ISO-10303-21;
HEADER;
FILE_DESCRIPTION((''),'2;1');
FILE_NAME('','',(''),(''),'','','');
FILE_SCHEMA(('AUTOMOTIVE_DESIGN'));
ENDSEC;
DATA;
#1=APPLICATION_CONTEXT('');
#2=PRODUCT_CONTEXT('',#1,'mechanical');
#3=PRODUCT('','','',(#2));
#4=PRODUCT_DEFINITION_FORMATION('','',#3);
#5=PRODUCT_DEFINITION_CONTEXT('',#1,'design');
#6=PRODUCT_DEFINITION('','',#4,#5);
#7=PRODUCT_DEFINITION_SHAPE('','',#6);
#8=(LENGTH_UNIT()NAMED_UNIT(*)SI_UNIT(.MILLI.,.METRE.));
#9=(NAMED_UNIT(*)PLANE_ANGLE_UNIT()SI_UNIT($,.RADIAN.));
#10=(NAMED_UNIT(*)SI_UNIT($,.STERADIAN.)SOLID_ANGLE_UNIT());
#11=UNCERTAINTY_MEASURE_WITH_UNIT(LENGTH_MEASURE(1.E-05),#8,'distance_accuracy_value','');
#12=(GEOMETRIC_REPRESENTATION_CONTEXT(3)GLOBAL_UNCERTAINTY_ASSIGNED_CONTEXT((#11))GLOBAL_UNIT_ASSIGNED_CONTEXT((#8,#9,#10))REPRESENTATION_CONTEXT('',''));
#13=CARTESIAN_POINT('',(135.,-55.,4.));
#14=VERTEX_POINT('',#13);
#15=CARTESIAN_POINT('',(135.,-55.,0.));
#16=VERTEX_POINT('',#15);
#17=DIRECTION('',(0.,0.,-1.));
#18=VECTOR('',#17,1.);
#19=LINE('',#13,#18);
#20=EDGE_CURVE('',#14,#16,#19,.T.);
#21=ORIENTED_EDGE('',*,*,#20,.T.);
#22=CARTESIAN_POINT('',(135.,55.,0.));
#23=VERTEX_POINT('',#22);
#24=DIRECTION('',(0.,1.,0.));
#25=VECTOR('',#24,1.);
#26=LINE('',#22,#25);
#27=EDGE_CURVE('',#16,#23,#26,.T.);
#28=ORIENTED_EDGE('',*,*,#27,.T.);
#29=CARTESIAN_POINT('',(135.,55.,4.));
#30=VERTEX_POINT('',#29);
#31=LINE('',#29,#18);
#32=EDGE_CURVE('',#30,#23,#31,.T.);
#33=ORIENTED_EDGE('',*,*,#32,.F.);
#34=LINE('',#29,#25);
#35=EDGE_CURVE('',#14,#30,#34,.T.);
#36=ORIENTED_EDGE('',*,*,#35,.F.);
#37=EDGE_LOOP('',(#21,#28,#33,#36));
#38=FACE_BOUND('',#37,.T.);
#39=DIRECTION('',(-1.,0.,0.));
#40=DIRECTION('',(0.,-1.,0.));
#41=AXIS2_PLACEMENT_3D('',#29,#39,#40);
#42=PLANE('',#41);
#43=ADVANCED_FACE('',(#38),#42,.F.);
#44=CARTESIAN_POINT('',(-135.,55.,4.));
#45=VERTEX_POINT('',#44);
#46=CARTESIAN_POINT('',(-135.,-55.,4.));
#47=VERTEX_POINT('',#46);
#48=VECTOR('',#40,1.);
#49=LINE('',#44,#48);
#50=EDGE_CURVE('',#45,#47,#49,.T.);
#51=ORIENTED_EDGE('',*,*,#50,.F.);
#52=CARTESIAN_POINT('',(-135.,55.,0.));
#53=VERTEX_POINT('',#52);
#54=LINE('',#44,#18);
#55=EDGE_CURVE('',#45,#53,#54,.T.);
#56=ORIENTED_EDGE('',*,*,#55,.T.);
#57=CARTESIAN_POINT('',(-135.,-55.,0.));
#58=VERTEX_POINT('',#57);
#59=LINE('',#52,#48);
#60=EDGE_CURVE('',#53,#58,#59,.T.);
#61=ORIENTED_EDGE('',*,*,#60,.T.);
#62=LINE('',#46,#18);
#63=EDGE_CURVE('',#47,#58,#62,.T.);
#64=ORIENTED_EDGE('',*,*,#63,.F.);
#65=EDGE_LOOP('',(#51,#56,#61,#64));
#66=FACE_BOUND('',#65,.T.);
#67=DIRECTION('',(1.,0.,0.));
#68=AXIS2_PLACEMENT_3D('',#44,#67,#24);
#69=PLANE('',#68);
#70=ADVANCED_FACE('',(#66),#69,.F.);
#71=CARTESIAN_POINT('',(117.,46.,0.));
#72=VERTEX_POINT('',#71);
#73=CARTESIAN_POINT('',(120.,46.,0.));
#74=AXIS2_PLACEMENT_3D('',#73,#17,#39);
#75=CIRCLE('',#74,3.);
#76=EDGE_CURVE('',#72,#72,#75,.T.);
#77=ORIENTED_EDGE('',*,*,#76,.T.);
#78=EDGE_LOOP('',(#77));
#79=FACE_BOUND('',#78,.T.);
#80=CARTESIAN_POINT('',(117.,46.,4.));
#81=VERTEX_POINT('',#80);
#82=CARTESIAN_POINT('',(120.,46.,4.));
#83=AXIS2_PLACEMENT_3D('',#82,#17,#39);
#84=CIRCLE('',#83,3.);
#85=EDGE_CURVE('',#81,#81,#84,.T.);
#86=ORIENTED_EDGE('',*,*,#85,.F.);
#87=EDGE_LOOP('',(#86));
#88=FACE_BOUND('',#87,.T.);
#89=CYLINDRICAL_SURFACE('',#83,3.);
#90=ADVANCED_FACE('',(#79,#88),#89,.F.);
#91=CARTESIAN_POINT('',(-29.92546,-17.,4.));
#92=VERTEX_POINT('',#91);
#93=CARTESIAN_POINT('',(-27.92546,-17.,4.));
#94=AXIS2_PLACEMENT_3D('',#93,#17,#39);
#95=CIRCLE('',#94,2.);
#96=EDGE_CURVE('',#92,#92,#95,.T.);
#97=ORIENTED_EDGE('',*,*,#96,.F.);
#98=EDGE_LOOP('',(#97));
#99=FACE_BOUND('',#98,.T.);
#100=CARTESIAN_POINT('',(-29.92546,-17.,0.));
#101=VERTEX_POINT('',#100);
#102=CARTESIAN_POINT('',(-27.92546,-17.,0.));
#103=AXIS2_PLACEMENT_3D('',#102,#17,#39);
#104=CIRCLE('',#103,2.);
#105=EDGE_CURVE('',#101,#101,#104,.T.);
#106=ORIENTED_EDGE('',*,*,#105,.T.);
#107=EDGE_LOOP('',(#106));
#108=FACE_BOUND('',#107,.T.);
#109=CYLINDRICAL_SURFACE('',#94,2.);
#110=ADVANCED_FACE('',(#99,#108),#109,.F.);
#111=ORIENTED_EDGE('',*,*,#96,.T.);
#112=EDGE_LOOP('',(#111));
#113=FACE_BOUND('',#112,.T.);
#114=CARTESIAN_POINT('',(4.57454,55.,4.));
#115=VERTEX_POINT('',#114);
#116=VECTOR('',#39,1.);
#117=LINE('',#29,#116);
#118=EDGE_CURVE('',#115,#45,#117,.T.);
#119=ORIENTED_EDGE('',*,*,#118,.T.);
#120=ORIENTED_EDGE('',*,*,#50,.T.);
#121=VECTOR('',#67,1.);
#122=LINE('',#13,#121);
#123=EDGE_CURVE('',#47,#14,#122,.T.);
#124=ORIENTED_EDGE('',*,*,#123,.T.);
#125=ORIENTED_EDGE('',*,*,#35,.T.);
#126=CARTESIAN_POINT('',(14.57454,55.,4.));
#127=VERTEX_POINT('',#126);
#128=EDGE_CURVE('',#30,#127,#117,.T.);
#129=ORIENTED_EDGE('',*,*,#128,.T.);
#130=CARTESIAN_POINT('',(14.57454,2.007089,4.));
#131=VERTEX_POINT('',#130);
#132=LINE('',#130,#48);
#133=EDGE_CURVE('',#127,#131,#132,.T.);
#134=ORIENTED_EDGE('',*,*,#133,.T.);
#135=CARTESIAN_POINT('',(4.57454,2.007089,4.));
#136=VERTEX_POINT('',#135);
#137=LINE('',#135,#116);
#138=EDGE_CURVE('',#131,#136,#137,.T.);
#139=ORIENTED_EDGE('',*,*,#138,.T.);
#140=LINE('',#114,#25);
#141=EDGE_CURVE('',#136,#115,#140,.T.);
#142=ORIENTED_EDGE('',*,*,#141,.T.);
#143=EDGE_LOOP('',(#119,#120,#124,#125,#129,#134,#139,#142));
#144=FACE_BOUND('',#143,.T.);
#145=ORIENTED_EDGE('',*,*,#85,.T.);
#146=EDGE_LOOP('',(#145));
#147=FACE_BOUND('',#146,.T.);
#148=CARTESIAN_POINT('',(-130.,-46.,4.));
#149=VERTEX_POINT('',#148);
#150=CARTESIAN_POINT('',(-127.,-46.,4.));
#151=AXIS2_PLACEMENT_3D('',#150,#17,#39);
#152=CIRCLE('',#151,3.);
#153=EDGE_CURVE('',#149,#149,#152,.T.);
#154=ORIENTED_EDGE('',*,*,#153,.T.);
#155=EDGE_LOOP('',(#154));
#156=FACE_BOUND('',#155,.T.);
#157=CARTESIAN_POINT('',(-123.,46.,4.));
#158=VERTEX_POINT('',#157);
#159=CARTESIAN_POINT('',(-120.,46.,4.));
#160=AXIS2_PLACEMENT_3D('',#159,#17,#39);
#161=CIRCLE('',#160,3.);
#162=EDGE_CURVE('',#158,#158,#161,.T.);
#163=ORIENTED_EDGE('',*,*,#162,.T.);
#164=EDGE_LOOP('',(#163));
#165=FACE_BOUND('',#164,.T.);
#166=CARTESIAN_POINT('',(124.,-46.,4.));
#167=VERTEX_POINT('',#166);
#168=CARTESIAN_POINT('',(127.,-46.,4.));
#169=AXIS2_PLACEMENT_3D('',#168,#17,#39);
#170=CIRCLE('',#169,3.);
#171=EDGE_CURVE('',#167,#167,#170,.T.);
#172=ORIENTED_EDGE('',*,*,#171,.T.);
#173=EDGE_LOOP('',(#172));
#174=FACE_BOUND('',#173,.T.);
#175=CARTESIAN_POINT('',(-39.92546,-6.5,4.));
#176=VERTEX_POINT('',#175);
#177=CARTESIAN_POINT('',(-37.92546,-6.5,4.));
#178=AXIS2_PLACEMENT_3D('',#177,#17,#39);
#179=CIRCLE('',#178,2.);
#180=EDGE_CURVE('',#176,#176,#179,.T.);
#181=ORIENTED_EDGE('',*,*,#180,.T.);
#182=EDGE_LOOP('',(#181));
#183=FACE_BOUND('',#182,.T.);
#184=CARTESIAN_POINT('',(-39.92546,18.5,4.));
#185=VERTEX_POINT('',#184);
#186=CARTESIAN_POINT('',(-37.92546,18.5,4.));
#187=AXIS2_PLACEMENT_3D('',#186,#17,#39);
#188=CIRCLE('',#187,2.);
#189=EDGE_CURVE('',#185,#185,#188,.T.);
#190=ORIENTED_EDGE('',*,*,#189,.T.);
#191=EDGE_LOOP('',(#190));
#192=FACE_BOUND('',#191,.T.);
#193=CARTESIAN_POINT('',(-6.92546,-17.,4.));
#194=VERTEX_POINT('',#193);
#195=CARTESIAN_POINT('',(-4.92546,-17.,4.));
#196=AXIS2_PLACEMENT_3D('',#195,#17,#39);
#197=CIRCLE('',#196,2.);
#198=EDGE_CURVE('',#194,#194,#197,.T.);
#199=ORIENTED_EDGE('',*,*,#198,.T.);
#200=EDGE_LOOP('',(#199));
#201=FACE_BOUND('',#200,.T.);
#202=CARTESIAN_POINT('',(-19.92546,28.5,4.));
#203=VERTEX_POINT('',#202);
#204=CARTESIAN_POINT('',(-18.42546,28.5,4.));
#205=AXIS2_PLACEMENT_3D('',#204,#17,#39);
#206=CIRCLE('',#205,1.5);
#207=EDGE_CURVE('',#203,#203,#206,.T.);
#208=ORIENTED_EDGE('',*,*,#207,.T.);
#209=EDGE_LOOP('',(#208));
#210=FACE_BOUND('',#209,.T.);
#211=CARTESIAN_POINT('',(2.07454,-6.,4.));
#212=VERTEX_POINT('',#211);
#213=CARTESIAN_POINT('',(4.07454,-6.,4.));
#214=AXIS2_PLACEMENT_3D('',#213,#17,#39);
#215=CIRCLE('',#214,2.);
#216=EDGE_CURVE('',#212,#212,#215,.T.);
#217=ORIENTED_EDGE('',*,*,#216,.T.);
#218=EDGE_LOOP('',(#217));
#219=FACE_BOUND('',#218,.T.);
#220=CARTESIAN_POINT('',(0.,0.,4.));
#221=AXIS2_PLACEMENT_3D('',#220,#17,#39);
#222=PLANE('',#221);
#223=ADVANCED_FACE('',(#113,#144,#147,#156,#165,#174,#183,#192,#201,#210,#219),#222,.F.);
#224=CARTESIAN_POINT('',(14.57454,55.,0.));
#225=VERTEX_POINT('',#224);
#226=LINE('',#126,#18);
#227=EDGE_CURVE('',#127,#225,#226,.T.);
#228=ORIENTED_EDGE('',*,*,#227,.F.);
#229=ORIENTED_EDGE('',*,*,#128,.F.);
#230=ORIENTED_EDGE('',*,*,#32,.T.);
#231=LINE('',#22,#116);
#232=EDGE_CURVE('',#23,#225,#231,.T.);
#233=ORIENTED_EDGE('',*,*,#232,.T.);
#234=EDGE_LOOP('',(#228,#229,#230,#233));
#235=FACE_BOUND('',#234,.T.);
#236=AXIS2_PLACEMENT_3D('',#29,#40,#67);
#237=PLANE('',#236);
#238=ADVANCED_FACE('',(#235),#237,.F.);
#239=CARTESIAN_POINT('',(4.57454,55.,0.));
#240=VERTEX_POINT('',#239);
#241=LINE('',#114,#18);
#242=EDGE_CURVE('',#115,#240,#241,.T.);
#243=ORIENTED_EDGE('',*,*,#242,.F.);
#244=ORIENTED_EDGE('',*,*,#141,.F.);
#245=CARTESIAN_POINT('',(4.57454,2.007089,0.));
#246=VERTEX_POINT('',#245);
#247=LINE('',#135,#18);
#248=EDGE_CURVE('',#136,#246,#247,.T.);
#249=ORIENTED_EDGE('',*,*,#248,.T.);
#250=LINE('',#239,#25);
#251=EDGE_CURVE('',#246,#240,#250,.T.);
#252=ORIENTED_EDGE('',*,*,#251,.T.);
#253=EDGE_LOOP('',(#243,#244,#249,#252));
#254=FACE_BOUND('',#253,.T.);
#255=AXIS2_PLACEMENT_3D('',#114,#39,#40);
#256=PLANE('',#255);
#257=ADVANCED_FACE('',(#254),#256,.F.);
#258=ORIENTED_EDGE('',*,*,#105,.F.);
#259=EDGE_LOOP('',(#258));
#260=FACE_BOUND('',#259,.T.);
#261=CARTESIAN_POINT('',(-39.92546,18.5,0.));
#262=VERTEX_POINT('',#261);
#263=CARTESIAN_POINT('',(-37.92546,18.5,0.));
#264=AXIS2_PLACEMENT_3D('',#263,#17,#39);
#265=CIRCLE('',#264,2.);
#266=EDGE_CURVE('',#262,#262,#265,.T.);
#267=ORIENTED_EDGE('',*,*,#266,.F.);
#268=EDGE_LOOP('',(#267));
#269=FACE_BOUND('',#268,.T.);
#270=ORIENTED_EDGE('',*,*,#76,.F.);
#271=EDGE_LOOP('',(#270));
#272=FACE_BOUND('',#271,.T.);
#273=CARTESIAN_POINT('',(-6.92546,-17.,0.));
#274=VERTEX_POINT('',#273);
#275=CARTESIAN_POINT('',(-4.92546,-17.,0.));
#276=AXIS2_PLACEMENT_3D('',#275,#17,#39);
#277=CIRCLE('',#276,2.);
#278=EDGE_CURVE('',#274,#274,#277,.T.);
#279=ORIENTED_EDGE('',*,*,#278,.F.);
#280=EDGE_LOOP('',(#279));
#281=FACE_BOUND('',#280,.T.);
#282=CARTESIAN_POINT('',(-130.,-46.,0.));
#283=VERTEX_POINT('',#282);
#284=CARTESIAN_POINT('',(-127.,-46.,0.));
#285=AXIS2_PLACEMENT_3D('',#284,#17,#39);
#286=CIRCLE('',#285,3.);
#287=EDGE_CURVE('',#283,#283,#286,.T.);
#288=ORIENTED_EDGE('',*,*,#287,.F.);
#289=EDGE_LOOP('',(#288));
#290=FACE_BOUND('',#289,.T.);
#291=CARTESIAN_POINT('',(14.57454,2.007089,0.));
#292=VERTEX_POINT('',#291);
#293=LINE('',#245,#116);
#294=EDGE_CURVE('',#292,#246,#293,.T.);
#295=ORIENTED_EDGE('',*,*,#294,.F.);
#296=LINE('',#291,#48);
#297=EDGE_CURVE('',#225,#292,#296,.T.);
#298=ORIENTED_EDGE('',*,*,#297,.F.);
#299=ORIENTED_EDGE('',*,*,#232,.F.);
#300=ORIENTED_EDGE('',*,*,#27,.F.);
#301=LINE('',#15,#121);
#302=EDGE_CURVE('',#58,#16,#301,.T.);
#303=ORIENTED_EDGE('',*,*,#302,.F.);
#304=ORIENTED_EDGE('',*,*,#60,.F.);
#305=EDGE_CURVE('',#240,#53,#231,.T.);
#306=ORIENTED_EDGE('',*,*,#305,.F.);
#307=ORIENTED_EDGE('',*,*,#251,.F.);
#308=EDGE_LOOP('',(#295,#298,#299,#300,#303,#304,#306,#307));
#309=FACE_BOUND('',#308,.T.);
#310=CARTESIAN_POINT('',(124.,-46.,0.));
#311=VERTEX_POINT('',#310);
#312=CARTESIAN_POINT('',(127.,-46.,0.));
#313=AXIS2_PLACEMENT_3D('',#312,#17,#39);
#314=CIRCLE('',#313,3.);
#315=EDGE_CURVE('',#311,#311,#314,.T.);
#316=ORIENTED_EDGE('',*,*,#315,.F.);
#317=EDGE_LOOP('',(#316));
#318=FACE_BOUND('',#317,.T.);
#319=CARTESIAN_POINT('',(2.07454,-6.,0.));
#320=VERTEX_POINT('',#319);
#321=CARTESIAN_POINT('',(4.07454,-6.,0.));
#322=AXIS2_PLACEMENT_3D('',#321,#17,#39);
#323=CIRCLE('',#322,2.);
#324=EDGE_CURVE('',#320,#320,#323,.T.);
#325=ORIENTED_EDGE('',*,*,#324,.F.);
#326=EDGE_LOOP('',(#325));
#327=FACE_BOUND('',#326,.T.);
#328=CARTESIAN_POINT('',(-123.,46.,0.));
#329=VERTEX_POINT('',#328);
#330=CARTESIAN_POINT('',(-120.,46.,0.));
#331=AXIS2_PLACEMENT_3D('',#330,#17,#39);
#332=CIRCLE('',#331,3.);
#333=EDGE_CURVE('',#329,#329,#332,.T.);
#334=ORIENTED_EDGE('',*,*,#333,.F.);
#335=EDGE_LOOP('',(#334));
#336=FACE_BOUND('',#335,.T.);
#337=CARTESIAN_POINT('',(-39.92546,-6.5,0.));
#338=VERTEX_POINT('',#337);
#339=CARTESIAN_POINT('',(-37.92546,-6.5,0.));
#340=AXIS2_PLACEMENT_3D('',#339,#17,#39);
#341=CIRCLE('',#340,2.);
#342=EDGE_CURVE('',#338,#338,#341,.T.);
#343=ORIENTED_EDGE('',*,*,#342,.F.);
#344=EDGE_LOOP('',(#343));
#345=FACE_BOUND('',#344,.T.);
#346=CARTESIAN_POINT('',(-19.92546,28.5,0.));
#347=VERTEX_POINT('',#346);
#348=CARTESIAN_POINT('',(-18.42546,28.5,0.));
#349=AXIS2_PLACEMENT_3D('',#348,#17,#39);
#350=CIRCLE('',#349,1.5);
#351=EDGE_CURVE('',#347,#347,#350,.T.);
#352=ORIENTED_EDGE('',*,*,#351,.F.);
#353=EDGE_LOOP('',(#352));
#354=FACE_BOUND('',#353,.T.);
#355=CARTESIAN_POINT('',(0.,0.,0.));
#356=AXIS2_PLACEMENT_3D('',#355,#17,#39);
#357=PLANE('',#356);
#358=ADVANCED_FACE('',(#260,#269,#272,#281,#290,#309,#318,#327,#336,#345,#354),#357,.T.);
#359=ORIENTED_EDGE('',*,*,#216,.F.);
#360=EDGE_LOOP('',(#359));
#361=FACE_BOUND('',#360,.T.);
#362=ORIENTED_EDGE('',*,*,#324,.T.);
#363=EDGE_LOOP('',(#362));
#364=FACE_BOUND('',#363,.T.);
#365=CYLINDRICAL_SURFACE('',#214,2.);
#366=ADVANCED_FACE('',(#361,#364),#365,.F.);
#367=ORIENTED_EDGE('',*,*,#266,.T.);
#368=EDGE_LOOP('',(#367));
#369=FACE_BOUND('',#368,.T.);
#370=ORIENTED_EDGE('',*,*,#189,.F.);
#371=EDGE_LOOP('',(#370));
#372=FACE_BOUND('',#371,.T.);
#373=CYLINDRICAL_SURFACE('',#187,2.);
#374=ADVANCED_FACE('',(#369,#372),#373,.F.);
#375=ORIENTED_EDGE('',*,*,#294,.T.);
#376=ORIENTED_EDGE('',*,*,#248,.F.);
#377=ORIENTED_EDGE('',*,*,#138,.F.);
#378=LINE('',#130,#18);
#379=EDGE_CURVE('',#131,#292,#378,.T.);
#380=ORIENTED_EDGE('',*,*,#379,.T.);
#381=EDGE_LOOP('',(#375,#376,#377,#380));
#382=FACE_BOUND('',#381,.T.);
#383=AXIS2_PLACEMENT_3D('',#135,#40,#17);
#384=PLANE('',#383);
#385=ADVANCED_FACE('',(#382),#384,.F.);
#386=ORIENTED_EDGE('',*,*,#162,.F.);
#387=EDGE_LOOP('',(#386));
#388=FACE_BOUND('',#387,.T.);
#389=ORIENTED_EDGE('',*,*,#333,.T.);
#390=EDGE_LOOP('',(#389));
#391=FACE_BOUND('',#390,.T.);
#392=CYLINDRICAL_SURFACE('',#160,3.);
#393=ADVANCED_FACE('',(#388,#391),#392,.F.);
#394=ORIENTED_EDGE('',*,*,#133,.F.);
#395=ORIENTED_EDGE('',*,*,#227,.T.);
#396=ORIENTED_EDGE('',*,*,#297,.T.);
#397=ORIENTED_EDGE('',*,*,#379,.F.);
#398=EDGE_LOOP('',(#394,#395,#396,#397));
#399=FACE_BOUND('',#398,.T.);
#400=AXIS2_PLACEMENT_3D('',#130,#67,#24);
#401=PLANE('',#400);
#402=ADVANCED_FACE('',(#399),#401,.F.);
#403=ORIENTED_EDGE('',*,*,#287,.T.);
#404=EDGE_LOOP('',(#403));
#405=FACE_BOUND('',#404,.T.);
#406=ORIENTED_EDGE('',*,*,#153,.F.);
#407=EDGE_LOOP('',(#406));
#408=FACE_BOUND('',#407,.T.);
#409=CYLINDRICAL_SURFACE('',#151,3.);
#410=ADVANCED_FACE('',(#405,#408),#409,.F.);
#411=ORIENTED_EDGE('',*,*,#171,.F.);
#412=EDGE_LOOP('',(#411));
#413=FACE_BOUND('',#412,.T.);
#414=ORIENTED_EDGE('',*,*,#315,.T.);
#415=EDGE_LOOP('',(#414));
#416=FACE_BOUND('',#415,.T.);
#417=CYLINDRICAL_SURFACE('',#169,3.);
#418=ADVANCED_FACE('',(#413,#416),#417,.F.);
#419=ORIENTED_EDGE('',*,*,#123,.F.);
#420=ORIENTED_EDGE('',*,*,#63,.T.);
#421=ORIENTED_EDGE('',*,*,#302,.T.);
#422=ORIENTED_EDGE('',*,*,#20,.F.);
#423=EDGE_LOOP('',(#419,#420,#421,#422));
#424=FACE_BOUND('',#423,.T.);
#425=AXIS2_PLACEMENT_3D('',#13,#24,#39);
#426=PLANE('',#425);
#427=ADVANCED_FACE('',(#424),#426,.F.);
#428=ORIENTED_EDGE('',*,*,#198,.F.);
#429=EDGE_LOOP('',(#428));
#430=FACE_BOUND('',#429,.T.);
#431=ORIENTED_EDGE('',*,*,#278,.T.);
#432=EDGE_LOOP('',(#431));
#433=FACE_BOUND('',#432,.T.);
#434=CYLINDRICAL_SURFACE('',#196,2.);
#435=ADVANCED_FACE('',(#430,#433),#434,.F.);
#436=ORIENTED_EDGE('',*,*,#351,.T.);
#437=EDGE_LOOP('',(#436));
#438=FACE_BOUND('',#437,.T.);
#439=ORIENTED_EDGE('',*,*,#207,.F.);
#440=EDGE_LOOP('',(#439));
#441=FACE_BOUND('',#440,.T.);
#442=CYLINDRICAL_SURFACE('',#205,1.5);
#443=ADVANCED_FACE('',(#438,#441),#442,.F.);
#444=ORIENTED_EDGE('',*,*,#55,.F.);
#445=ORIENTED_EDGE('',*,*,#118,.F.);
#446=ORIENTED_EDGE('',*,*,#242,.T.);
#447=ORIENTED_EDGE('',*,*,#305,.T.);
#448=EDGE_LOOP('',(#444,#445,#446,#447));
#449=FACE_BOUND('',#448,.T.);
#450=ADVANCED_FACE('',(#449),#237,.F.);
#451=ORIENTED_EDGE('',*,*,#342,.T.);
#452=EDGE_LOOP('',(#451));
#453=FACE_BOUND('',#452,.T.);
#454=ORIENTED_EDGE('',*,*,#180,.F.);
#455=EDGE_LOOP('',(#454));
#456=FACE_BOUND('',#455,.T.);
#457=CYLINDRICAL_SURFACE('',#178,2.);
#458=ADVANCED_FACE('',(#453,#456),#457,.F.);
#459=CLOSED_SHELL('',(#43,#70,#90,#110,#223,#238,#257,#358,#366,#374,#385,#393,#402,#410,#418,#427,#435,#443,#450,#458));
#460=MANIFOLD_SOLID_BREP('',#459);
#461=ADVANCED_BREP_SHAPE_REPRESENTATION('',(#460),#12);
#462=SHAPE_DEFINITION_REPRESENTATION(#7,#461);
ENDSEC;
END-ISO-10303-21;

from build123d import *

# Parameters (mm, degrees)
SKETCH1_W           = 270
SKETCH1_H           = 110
BOSS_EXTRUDE1_DEPTH = 4
SKETCH9_R           = 3
SKETCH9_R_2         = 2
SKETCH9_R_3         = 1.5
SKETCH9_W           = 10
SKETCH9_H           = 52.992911327
CUT_EXTRUDE1_DEPTH  = 146.828666592


with BuildPart() as part:
    # Sketch1 → Boss-Extrude1 (new body)
    with BuildSketch(Plane.XY):
        Rectangle(SKETCH1_W, SKETCH1_H)
    extrude(amount=BOSS_EXTRUDE1_DEPTH)

    # Sketch9 → Cut-Extrude1 (cut, through all)
    with BuildSketch(Plane(origin=(0, 0, 0), x_dir=(-1, 0, 0), z_dir=(0, 0, -1))):
        with Locations((-120, 46)):
            Circle(SKETCH9_R)
        with Locations((-127, -46)):
            Circle(SKETCH9_R)
        with Locations((120, 46)):
            Circle(SKETCH9_R)
        with Locations((127, -46)):
            Circle(SKETCH9_R)
        with Locations((-4.074540436, -6)):
            Circle(SKETCH9_R_2)
        with Locations((4.925459564, -17)):
            Circle(SKETCH9_R_2)
        with Locations((27.925459564, -17)):
            Circle(SKETCH9_R_2)
        with Locations((37.925459564, -6.5)):
            Circle(SKETCH9_R_2)
        with Locations((37.925459564, 18.5)):
            Circle(SKETCH9_R_2)
        with Locations((18.425459564, 28.5)):
            Circle(SKETCH9_R_3)
        with Locations((-9.574540436, 28.503544336)):
            Rectangle(SKETCH9_W, SKETCH9_H)
    extrude(amount=-CUT_EXTRUDE1_DEPTH, mode=Mode.SUBTRACT)


solid = part.part
